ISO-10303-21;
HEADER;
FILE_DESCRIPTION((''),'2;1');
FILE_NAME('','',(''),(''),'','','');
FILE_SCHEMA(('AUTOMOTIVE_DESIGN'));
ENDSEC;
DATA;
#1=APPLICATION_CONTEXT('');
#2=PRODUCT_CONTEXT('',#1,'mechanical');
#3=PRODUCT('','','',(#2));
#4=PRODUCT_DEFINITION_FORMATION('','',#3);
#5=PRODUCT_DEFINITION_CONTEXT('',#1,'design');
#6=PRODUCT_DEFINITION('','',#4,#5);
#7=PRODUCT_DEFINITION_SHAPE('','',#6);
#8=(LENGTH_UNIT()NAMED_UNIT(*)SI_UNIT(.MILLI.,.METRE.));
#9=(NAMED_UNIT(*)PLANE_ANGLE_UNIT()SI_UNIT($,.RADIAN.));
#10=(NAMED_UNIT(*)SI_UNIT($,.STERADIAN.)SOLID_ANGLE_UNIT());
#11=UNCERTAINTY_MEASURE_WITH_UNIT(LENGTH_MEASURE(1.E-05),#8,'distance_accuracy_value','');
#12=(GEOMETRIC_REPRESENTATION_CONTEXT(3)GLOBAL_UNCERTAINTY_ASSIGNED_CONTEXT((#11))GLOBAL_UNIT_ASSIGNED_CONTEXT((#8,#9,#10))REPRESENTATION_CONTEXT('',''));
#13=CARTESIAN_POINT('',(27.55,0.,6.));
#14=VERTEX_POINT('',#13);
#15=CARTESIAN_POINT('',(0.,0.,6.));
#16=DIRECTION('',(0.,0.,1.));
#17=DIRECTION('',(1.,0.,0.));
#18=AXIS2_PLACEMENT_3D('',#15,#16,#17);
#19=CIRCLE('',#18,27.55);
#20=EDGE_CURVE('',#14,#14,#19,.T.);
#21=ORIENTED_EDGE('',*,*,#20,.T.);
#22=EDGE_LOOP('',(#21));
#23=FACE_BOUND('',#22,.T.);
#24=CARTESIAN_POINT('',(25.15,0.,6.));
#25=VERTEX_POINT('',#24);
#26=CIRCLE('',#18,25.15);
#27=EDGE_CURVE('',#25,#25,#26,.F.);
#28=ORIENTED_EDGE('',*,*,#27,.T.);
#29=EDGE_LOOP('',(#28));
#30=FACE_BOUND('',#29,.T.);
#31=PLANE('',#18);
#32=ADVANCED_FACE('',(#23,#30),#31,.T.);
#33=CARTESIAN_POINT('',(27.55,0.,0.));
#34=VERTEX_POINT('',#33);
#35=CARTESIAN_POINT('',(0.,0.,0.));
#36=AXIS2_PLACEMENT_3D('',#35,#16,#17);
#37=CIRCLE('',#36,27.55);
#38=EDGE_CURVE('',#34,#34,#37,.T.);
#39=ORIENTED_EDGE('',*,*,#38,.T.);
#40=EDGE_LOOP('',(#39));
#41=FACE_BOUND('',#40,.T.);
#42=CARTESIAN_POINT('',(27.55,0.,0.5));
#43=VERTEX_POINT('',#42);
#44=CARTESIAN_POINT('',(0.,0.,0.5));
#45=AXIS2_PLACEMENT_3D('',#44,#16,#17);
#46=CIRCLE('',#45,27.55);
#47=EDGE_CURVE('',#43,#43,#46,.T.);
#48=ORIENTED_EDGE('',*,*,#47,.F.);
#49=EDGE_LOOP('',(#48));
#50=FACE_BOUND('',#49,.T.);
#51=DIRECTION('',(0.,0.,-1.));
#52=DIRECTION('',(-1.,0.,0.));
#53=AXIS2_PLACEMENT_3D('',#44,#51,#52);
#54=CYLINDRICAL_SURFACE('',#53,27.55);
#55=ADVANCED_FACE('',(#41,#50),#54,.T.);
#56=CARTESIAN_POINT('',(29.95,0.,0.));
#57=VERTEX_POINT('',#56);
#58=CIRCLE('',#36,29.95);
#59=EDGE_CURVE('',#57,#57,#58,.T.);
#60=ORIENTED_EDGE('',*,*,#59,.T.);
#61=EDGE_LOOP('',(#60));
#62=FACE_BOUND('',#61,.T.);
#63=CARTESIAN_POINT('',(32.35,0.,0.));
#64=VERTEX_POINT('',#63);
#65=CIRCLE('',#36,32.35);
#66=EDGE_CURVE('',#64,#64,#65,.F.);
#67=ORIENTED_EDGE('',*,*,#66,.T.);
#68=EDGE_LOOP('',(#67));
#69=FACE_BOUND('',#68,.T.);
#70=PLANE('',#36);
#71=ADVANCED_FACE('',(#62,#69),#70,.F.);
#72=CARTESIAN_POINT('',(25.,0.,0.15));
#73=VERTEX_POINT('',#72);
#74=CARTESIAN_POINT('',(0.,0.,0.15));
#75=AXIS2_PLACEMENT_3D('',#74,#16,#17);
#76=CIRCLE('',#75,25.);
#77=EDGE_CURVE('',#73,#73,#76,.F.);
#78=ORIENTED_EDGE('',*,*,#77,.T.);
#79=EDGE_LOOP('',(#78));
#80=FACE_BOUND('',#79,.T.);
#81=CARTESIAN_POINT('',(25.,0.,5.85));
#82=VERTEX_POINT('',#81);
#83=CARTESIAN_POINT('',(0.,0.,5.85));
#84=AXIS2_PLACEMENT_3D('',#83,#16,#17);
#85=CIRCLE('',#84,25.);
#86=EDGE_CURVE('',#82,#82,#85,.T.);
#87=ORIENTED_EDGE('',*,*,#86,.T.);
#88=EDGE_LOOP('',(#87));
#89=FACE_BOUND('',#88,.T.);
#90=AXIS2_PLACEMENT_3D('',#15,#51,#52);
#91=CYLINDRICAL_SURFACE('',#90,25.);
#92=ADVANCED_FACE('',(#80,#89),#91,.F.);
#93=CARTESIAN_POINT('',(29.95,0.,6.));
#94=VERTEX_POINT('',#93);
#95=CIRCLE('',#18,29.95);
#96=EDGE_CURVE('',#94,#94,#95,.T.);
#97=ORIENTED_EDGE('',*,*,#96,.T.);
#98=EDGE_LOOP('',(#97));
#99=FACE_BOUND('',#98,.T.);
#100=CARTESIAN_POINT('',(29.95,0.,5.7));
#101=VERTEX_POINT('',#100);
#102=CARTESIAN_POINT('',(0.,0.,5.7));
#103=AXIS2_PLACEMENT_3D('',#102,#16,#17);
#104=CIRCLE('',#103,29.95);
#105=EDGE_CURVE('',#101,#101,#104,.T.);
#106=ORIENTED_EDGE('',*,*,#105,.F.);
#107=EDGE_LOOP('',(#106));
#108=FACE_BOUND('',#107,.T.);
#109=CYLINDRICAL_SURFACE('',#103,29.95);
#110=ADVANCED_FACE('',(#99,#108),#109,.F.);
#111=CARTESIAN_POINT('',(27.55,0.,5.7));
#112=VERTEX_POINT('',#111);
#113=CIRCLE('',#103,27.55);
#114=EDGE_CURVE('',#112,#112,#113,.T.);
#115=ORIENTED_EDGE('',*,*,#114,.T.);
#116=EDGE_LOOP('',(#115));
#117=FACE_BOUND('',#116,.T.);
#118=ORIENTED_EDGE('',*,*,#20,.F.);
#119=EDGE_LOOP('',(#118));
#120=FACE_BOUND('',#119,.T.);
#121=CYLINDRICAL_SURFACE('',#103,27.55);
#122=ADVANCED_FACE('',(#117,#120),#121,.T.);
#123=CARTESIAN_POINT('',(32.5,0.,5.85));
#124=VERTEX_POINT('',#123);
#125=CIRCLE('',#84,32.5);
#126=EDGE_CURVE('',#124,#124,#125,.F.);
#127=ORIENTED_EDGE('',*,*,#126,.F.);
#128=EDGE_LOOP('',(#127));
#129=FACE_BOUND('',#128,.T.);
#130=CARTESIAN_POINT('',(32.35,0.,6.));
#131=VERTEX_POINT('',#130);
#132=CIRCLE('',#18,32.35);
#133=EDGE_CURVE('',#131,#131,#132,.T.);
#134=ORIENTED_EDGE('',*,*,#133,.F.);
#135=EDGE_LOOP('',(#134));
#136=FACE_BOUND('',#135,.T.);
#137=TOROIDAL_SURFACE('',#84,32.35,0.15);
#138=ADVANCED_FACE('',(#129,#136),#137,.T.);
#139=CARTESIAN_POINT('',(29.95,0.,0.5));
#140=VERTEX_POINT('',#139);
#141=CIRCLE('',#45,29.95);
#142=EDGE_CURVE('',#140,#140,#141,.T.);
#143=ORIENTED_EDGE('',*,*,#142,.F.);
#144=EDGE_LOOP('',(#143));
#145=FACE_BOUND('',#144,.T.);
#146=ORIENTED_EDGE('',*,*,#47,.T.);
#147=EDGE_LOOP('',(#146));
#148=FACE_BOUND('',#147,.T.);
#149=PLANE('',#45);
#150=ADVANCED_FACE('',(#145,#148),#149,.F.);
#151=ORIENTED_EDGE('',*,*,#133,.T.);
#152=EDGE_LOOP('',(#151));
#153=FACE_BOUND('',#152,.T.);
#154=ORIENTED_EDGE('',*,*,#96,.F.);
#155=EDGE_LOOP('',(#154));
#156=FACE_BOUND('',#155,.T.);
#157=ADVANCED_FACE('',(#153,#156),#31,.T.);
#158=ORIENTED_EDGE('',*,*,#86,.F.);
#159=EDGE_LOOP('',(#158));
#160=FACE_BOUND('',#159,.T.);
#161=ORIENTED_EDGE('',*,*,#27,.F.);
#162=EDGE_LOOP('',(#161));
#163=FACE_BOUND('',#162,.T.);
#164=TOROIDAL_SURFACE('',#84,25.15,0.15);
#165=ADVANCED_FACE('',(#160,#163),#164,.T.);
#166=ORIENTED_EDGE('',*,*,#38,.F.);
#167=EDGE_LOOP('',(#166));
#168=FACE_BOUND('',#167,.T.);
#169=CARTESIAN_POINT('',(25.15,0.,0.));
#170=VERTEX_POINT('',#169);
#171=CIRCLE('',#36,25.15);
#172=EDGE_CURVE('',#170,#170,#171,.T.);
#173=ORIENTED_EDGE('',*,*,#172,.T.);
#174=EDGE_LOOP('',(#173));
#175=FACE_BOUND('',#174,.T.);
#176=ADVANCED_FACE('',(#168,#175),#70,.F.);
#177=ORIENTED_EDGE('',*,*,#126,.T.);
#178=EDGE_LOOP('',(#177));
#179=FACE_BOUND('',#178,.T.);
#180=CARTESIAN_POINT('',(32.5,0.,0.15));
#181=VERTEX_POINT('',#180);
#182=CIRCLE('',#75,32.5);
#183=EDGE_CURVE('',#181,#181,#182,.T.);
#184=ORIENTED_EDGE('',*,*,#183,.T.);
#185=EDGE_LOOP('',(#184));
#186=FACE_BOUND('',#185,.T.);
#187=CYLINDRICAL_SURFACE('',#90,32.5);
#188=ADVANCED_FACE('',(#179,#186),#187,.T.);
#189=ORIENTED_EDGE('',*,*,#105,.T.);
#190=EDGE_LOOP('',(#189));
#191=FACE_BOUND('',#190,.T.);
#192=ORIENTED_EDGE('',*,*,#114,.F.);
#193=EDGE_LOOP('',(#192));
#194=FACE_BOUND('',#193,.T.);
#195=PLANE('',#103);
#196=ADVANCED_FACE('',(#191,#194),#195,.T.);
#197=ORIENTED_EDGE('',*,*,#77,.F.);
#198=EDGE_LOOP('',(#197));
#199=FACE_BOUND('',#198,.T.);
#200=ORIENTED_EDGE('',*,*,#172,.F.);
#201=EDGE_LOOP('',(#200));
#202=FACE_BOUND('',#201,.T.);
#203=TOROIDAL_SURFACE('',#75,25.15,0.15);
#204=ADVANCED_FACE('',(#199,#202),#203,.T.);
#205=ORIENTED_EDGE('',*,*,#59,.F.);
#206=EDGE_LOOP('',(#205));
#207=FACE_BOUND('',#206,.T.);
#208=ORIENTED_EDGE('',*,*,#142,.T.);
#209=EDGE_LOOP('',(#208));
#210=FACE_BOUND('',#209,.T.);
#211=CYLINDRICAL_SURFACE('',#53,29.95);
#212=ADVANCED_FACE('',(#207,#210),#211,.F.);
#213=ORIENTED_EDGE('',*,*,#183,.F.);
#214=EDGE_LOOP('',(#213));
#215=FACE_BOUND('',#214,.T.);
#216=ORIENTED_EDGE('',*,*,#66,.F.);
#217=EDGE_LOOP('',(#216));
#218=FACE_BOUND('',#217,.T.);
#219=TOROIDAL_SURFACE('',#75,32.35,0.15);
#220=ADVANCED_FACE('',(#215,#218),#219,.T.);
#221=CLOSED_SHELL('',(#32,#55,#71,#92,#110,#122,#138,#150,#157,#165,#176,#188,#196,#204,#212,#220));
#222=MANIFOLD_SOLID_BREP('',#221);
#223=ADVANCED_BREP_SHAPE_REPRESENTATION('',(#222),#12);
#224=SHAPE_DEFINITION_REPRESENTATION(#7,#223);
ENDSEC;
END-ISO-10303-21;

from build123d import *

# Parameters (mm, degrees)
SKETCH1_R           = 32.5
SKETCH1_R_2         = 25
BOSS_EXTRUDE1_DEPTH = 6
SKETCH2_R           = 29.95
SKETCH2_R_2         = 27.55
CUT_EXTRUDE1_DEPTH  = 0.3
CUT_EXTRUDE2_START  = -5.5
SKETCH2_2_R         = 29.95
SKETCH2_2_R_2       = 27.55
CUT_EXTRUDE2_DEPTH  = 0.5
FILLET1_R           = 0.15


with BuildPart() as part:
    # Sketch1 → Boss-Extrude1 (new body)
    with BuildSketch(Plane.XY):
        Circle(SKETCH1_R)
        Circle(SKETCH1_R_2, mode=Mode.SUBTRACT)
    extrude(amount=BOSS_EXTRUDE1_DEPTH)

    # Sketch2 → Cut-Extrude1 (cut)
    with BuildSketch(Plane.XY.offset(6)):
        Circle(SKETCH2_R)
        Circle(SKETCH2_R_2, mode=Mode.SUBTRACT)
    extrude(amount=-CUT_EXTRUDE1_DEPTH, mode=Mode.SUBTRACT)

    # Sketch2<2> → Cut-Extrude2 (cut)
    with BuildSketch(Plane.XY.offset(6).offset(CUT_EXTRUDE2_START)):
        Circle(SKETCH2_2_R)
        Circle(SKETCH2_2_R_2, mode=Mode.SUBTRACT)
    extrude(amount=-CUT_EXTRUDE2_DEPTH, mode=Mode.SUBTRACT)

    # Fillet1
    fillet1_edges = [part.edges().sort_by_distance(p)[0] for p in [
        (-32.5, 0, 0),
        (-32.5, 0, 6),
        (-25, 0, 0),
        (-25, 0, 6),
    ]]
    fillet(fillet1_edges, radius=FILLET1_R)


solid = part.part
